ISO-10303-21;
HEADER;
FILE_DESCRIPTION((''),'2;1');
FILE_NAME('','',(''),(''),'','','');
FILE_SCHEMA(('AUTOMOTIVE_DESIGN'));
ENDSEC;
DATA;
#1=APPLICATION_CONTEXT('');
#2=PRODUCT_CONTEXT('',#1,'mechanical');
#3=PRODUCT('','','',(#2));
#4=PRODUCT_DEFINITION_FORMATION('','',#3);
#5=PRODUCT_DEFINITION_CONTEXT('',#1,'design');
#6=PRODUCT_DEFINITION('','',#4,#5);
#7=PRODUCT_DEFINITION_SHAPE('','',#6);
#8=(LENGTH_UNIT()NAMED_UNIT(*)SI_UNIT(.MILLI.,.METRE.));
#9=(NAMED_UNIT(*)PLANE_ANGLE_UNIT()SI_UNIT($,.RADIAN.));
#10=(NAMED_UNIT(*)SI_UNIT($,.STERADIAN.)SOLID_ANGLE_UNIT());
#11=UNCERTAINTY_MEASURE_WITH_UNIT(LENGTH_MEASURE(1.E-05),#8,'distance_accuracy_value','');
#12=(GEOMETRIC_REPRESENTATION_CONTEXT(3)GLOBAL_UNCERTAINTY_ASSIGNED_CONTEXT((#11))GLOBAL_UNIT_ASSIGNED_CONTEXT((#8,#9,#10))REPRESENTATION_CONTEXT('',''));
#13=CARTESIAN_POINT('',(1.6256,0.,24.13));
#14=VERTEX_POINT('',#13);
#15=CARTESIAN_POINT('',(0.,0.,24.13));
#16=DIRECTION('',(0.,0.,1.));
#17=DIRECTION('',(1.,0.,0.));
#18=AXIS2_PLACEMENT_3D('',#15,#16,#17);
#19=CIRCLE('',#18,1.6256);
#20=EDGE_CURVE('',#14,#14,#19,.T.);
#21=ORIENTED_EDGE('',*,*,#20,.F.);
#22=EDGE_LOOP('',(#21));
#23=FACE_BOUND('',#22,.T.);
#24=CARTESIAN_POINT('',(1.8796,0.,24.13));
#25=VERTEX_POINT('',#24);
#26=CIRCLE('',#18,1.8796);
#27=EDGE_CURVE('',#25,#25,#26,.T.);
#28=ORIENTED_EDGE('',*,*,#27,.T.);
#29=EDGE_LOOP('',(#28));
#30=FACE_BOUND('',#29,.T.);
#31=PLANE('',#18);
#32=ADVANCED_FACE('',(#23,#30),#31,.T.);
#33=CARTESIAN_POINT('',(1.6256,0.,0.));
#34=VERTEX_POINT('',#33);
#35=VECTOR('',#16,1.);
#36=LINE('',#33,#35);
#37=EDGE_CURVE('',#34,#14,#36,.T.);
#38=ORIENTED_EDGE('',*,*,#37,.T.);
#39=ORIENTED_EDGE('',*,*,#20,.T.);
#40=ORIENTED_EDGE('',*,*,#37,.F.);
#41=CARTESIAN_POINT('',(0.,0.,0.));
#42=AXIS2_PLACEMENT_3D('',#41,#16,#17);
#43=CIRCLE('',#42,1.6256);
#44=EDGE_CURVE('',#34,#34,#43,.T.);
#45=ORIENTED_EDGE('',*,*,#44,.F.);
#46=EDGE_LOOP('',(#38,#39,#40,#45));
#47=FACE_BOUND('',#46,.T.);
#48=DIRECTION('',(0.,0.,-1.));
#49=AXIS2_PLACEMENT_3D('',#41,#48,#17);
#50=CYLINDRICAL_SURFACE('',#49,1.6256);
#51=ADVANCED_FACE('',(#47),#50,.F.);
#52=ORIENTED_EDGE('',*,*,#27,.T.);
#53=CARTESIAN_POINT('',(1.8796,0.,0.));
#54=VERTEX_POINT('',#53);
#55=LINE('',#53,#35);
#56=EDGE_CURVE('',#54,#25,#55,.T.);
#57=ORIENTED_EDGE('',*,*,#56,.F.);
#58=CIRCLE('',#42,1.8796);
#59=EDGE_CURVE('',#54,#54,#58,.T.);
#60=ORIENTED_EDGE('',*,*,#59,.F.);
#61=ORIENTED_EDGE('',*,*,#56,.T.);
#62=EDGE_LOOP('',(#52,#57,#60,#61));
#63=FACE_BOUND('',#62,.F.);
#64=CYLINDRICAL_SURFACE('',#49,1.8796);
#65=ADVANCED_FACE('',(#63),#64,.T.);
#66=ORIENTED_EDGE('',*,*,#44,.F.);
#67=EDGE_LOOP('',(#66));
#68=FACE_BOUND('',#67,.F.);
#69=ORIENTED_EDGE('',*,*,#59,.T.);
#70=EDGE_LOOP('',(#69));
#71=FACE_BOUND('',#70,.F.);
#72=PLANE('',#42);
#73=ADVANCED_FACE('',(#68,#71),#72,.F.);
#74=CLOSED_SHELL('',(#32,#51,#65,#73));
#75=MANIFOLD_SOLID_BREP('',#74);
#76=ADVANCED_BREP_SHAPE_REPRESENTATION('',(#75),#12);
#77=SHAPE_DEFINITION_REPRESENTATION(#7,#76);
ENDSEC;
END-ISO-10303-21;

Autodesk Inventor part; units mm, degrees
ref_plane "YZ Plane" through (0, 0, 0) normal (1, 0, 0) x (0, 1, 0)
ref_plane "XZ Plane" through (0, 0, 0) normal (0, 1, 0) x (-1, 0, 0)
ref_plane "XY Plane" through (0, 0, 0) normal (0, 0, 1) x (1, 0, 0)
sketch "Sketch1" plane through (0, 0, 0) normal (0, 0, 1) x (1, 0, 0)
  circle A0 centre (0, 0) radius 1.8796
  circle A1 centre (0, 0) radius 1.6256
  dimension "d0" = 3.7592
  dimension "d1" = 3.2512
extrude "Extrusion1" add sketch "Sketch1" along normal blind 24.13
properties part number "tubing_9G"
